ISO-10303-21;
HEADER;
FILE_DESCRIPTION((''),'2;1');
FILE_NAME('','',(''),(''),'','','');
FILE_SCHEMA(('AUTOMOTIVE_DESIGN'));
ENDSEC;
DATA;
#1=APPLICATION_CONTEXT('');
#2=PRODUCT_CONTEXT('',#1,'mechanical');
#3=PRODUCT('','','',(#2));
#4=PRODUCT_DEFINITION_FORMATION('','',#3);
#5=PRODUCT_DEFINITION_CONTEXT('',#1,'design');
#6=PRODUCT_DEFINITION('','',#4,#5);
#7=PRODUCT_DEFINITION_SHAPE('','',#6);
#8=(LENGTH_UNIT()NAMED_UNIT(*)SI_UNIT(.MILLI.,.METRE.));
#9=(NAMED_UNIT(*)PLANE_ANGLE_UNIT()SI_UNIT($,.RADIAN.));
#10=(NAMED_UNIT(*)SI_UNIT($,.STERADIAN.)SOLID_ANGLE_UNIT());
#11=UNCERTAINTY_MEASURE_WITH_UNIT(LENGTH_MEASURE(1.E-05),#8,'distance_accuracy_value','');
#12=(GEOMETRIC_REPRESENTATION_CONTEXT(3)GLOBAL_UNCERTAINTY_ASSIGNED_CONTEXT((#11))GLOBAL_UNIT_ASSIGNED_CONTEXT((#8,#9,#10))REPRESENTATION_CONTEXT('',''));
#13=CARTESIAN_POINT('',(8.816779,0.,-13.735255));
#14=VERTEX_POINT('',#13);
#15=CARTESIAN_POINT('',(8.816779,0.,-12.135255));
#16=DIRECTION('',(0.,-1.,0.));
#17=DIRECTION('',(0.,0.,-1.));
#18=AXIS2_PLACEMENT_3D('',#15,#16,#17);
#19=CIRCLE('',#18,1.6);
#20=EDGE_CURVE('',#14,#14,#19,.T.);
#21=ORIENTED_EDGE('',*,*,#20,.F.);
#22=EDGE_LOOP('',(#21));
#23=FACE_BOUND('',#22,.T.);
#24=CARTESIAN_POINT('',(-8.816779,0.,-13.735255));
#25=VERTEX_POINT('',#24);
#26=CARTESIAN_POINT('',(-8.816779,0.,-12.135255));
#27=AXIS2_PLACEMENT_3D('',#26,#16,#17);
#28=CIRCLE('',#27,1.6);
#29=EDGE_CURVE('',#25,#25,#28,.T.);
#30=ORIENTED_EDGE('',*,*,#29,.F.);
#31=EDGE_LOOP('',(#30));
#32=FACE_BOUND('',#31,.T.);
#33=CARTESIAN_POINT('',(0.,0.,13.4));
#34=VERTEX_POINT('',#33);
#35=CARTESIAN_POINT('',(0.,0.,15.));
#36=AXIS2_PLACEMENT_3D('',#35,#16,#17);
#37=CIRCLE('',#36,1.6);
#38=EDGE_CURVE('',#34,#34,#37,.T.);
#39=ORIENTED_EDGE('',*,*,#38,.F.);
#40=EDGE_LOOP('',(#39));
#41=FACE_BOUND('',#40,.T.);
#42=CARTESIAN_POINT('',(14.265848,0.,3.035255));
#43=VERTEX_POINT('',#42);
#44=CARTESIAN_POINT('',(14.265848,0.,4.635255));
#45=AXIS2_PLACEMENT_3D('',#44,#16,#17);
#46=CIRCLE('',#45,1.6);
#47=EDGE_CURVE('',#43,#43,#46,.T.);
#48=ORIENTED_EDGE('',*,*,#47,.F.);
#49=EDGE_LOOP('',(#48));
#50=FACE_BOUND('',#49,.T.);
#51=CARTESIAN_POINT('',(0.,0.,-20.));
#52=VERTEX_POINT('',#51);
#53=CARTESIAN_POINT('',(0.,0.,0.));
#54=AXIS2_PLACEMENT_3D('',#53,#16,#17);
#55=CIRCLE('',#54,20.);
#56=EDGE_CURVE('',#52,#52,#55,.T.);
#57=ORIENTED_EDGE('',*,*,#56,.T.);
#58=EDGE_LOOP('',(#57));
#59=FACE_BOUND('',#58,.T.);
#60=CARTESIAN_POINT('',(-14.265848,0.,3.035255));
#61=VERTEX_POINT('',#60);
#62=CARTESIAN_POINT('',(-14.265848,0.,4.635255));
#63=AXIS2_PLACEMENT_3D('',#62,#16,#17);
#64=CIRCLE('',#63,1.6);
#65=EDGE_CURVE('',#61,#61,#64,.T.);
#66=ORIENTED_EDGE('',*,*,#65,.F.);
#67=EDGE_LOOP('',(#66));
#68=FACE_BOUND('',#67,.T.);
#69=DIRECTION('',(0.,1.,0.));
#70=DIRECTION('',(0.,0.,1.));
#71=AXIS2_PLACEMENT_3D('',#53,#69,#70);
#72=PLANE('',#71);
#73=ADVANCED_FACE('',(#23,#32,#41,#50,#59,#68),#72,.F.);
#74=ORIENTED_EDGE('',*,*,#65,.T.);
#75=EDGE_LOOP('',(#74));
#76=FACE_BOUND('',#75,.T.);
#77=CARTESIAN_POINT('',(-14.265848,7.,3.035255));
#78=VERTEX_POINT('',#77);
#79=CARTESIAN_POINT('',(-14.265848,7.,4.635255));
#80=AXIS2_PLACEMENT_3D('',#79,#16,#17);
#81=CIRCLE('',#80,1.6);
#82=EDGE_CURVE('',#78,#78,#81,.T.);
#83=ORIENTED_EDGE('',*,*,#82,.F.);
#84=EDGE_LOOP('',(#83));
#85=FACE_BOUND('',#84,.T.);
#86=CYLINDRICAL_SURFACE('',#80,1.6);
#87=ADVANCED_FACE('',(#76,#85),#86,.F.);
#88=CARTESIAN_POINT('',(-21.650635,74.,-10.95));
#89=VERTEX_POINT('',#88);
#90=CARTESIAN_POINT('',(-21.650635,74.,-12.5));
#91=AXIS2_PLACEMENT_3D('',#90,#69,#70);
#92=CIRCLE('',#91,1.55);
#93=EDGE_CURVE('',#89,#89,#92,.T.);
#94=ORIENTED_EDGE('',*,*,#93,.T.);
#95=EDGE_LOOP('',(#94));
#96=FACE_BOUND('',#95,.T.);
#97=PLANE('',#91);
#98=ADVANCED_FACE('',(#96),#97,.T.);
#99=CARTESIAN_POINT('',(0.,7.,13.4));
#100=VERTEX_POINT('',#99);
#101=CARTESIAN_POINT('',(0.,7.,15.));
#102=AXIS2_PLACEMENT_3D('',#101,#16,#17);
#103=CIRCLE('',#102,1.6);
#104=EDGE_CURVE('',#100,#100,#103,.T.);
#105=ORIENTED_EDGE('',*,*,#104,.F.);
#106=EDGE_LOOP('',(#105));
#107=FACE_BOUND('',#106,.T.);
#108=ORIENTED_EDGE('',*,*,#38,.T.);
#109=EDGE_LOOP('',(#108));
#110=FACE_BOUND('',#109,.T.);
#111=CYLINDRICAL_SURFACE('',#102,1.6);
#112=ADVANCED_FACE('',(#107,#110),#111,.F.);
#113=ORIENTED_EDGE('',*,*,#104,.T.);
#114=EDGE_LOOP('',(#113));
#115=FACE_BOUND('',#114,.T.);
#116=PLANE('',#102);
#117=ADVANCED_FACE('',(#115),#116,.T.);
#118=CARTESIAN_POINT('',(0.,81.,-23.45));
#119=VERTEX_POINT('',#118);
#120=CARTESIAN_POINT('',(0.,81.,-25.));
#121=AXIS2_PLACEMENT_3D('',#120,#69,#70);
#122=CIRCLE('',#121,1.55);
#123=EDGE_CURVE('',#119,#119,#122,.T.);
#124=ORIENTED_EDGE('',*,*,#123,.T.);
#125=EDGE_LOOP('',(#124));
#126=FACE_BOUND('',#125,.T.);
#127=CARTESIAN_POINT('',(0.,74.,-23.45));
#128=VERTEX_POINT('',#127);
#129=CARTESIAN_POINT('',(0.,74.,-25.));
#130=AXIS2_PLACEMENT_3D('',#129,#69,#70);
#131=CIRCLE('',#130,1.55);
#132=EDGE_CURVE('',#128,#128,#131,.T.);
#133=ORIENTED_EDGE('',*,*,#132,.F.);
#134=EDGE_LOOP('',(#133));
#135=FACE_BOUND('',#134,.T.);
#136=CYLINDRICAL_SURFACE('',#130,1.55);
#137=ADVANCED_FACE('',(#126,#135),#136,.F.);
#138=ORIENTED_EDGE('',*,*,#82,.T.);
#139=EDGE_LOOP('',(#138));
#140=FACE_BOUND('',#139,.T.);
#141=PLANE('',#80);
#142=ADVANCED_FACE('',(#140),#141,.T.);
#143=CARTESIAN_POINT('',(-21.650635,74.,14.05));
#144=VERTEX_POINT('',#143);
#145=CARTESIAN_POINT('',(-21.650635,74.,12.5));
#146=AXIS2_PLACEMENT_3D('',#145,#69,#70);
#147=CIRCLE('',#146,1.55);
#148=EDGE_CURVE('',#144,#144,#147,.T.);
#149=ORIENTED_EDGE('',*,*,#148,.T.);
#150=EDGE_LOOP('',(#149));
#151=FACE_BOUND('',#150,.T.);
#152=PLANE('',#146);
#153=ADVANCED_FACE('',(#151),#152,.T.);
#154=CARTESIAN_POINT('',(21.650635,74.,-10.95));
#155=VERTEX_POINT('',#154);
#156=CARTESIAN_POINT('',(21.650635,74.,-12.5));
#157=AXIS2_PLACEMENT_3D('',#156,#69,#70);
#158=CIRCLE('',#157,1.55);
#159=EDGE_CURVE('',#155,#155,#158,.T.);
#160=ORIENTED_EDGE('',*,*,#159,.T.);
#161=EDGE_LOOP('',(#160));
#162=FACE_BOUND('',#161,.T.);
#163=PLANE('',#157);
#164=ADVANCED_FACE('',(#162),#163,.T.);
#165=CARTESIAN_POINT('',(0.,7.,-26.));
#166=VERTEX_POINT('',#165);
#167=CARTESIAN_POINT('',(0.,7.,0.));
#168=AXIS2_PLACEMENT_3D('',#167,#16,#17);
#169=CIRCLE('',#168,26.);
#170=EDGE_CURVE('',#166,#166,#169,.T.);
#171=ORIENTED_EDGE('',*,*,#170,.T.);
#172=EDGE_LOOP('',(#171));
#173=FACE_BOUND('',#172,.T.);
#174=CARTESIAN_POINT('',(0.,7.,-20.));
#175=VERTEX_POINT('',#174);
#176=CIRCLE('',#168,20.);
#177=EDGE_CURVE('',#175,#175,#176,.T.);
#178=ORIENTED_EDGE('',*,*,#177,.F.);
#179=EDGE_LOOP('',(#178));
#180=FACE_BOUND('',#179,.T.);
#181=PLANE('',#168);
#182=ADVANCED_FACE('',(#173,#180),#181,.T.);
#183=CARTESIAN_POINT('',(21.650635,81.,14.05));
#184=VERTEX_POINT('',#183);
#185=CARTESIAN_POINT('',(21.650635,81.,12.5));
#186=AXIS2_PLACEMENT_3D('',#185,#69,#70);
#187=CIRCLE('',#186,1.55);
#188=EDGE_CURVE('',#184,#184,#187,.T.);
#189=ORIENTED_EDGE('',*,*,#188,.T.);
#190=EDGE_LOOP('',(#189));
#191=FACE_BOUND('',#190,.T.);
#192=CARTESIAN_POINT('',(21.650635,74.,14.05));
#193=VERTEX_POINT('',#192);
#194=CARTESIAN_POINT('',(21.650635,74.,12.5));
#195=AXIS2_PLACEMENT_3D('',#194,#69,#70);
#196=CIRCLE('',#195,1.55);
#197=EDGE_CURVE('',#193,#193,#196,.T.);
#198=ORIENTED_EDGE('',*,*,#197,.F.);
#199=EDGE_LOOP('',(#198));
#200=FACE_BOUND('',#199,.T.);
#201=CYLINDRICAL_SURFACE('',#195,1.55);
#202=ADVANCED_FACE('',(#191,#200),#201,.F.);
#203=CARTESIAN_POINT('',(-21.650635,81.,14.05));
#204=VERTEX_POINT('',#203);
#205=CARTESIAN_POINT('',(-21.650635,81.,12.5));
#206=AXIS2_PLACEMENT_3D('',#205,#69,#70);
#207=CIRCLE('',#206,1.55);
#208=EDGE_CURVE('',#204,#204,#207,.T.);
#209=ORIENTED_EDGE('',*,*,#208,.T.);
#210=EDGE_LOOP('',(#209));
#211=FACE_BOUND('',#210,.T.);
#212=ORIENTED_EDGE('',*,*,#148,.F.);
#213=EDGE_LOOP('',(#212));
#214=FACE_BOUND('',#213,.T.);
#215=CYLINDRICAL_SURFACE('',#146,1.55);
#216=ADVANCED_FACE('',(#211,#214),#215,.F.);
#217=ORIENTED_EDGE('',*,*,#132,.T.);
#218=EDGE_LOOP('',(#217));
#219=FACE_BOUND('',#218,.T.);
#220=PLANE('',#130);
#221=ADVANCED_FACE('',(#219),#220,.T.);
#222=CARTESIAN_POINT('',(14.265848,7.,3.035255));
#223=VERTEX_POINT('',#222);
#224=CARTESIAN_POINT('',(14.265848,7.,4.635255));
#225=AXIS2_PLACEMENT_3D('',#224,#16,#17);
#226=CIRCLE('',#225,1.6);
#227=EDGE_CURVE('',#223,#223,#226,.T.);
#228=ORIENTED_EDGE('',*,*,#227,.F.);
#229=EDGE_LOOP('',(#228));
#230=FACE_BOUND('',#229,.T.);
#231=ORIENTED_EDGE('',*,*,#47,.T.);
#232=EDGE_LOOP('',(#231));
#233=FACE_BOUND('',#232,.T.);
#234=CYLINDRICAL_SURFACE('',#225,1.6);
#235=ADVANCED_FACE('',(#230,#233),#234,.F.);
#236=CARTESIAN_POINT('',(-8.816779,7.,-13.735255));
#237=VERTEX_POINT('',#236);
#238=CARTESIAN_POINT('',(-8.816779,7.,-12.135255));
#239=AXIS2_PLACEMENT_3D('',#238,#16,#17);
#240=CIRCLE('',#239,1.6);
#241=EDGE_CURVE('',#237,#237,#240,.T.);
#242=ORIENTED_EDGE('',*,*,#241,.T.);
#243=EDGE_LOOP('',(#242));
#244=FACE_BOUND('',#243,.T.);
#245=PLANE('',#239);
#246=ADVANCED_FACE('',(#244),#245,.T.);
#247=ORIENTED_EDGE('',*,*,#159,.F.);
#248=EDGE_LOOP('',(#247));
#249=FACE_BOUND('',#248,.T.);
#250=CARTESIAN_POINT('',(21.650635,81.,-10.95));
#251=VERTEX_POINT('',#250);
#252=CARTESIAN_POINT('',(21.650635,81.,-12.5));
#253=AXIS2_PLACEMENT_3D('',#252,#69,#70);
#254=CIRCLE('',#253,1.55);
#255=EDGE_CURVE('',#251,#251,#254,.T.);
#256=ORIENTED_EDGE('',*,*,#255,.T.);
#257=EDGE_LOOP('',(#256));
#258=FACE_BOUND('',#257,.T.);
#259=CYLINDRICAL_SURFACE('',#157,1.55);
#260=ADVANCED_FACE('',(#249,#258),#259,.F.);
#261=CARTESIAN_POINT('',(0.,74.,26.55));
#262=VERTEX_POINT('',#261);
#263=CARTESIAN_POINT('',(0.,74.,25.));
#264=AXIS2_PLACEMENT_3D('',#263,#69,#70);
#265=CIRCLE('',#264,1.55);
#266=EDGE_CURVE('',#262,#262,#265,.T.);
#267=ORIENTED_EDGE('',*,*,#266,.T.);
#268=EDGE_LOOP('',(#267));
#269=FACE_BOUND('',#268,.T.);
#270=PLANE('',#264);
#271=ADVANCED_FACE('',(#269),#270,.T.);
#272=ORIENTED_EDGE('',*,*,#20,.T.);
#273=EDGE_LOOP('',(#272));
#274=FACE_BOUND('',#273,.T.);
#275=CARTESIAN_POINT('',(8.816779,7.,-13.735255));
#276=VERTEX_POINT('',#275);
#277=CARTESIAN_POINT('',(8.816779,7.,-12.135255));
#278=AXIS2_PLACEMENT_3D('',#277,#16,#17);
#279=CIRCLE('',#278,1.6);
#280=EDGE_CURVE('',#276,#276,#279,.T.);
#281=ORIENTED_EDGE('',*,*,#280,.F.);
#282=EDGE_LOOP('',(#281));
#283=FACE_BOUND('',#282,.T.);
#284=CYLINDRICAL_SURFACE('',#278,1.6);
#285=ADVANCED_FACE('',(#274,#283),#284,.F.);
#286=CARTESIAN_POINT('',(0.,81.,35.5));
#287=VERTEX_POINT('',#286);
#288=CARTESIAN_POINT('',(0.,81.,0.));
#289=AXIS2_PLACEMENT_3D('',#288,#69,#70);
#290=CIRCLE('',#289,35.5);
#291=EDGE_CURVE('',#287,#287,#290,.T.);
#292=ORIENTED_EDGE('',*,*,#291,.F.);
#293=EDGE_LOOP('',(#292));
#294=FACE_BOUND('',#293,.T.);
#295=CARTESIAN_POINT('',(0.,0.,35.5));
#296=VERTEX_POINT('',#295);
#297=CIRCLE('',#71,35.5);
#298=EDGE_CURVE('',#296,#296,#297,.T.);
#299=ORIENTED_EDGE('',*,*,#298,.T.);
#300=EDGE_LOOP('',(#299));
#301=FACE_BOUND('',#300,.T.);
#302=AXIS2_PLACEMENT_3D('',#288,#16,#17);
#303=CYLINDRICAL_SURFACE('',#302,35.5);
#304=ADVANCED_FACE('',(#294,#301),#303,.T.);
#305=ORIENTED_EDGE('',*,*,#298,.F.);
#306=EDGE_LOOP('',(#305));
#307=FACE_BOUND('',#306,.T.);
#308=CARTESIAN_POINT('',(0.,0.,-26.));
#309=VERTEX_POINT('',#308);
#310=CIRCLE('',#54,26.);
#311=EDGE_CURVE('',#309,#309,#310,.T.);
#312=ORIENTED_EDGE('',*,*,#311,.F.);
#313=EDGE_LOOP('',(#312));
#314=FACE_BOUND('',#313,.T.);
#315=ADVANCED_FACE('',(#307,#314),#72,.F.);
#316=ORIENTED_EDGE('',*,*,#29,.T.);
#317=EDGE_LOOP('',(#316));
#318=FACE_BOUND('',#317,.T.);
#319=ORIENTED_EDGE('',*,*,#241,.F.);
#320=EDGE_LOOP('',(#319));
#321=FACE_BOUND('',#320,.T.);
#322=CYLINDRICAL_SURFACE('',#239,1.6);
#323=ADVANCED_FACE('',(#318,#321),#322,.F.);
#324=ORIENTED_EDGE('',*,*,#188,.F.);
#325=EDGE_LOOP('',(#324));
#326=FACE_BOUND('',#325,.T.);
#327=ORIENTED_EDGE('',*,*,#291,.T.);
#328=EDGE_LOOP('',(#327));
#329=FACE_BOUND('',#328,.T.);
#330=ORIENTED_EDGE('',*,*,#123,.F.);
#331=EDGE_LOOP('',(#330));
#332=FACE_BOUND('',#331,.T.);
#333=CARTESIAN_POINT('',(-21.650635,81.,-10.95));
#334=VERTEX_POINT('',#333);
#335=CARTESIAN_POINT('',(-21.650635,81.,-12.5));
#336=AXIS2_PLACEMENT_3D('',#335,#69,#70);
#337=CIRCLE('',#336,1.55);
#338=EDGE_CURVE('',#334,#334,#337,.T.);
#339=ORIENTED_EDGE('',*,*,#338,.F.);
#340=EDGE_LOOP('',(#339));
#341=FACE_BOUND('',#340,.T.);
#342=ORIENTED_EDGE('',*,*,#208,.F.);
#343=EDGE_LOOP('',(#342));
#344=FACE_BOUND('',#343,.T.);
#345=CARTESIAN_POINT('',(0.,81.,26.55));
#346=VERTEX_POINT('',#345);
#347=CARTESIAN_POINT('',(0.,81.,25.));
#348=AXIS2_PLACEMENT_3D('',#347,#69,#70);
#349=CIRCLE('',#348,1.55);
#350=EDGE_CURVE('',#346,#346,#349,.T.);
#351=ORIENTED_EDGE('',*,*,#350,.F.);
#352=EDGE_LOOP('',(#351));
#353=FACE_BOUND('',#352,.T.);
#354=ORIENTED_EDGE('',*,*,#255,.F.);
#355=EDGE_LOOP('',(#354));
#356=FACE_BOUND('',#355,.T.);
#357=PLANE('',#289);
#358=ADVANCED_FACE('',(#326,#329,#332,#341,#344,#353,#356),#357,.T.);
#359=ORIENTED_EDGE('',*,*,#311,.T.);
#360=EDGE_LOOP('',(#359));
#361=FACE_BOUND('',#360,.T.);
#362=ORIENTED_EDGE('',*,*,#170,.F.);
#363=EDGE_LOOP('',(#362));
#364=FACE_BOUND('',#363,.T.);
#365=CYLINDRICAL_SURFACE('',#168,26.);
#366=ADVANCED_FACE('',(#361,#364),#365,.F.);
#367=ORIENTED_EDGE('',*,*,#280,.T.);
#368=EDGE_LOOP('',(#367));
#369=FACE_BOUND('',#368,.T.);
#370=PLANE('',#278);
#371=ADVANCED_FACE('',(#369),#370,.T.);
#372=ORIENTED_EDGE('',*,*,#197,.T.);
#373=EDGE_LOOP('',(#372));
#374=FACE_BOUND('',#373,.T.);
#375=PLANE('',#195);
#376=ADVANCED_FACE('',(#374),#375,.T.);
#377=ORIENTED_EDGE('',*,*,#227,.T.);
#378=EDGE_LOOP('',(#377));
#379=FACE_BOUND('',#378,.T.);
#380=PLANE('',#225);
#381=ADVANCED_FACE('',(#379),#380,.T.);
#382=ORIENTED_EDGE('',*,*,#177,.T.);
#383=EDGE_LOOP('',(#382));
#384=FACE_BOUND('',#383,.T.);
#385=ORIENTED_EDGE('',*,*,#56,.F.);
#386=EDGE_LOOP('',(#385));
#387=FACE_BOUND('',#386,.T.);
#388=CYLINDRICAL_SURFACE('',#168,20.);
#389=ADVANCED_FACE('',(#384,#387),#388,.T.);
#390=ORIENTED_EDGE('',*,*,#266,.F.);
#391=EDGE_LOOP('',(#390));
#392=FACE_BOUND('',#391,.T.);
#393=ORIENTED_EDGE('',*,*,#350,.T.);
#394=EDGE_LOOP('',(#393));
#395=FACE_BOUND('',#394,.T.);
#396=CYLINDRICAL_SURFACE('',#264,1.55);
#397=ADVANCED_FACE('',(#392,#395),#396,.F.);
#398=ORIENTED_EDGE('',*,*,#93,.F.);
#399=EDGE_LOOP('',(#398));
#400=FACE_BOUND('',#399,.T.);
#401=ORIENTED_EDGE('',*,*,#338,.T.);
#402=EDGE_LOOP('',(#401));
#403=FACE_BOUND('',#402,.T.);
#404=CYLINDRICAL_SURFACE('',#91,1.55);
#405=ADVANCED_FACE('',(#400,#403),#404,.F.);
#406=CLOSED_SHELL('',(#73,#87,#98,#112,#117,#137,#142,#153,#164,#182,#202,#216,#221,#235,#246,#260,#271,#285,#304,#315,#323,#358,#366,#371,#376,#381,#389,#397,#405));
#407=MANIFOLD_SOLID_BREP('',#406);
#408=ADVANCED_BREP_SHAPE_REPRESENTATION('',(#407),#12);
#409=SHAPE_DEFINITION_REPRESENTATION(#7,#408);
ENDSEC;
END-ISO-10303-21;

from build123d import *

# Parameters (mm, degrees)
CROQUIS1_R              = 35.5
SALIENTE_EXTRUIR1_DEPTH = 81
CROQUIS2_R              = 26
CROQUIS2_R_2            = 20
CORTAR_EXTRUIR1_DEPTH   = 7
CROQUIS3_R              = 1.6
CORTAR_EXTRUIR2_DEPTH   = 7
CROQUIS4_R              = 1.55
CORTAR_EXTRUIR3_DEPTH   = 7


with BuildPart() as part:
    # Croquis1 → Saliente-Extruir1 (new body)
    with BuildSketch(Plane(origin=(0, 0, 0), x_dir=(1, 0, 0), z_dir=(0, 1, 0))):
        Circle(CROQUIS1_R)
    extrude(amount=SALIENTE_EXTRUIR1_DEPTH)

    # Croquis2 → Cortar-Extruir1 (cut)
    with BuildSketch(Plane.XZ):
        Circle(CROQUIS2_R)
        Circle(CROQUIS2_R_2, mode=Mode.SUBTRACT)
    extrude(amount=-CORTAR_EXTRUIR1_DEPTH, mode=Mode.SUBTRACT)

    # Croquis3 → Cortar-Extruir2 (cut)
    with BuildSketch(Plane.XZ):
        with Locations((0, 15)):
            Circle(CROQUIS3_R)
        with Locations((14.265847744, 4.635254916)):
            Circle(CROQUIS3_R)
        with Locations((8.816778784, -12.135254916)):
            Circle(CROQUIS3_R)
        with Locations((-8.816778784, -12.135254916)):
            Circle(CROQUIS3_R)
        with Locations((-14.265847744, 4.635254916)):
            Circle(CROQUIS3_R)
    extrude(amount=-CORTAR_EXTRUIR2_DEPTH, mode=Mode.SUBTRACT)

    # Croquis4 → Cortar-Extruir3 (cut)
    with BuildSketch(Plane(origin=(0, 81, 0), x_dir=(1, 0, 0), z_dir=(0, 1, 0))):
        with Locations((0, 25)):
            Circle(CROQUIS4_R)
        with Locations((21.650635095, 12.5)):
            Circle(CROQUIS4_R)
        with Locations((21.650635095, -12.5)):
            Circle(CROQUIS4_R)
        with Locations((0, -25)):
            Circle(CROQUIS4_R)
        with Locations((-21.650635095, -12.5)):
            Circle(CROQUIS4_R)
        with Locations((-21.650635095, 12.5)):
            Circle(CROQUIS4_R)
    extrude(amount=-CORTAR_EXTRUIR3_DEPTH, mode=Mode.SUBTRACT)


solid = part.part
